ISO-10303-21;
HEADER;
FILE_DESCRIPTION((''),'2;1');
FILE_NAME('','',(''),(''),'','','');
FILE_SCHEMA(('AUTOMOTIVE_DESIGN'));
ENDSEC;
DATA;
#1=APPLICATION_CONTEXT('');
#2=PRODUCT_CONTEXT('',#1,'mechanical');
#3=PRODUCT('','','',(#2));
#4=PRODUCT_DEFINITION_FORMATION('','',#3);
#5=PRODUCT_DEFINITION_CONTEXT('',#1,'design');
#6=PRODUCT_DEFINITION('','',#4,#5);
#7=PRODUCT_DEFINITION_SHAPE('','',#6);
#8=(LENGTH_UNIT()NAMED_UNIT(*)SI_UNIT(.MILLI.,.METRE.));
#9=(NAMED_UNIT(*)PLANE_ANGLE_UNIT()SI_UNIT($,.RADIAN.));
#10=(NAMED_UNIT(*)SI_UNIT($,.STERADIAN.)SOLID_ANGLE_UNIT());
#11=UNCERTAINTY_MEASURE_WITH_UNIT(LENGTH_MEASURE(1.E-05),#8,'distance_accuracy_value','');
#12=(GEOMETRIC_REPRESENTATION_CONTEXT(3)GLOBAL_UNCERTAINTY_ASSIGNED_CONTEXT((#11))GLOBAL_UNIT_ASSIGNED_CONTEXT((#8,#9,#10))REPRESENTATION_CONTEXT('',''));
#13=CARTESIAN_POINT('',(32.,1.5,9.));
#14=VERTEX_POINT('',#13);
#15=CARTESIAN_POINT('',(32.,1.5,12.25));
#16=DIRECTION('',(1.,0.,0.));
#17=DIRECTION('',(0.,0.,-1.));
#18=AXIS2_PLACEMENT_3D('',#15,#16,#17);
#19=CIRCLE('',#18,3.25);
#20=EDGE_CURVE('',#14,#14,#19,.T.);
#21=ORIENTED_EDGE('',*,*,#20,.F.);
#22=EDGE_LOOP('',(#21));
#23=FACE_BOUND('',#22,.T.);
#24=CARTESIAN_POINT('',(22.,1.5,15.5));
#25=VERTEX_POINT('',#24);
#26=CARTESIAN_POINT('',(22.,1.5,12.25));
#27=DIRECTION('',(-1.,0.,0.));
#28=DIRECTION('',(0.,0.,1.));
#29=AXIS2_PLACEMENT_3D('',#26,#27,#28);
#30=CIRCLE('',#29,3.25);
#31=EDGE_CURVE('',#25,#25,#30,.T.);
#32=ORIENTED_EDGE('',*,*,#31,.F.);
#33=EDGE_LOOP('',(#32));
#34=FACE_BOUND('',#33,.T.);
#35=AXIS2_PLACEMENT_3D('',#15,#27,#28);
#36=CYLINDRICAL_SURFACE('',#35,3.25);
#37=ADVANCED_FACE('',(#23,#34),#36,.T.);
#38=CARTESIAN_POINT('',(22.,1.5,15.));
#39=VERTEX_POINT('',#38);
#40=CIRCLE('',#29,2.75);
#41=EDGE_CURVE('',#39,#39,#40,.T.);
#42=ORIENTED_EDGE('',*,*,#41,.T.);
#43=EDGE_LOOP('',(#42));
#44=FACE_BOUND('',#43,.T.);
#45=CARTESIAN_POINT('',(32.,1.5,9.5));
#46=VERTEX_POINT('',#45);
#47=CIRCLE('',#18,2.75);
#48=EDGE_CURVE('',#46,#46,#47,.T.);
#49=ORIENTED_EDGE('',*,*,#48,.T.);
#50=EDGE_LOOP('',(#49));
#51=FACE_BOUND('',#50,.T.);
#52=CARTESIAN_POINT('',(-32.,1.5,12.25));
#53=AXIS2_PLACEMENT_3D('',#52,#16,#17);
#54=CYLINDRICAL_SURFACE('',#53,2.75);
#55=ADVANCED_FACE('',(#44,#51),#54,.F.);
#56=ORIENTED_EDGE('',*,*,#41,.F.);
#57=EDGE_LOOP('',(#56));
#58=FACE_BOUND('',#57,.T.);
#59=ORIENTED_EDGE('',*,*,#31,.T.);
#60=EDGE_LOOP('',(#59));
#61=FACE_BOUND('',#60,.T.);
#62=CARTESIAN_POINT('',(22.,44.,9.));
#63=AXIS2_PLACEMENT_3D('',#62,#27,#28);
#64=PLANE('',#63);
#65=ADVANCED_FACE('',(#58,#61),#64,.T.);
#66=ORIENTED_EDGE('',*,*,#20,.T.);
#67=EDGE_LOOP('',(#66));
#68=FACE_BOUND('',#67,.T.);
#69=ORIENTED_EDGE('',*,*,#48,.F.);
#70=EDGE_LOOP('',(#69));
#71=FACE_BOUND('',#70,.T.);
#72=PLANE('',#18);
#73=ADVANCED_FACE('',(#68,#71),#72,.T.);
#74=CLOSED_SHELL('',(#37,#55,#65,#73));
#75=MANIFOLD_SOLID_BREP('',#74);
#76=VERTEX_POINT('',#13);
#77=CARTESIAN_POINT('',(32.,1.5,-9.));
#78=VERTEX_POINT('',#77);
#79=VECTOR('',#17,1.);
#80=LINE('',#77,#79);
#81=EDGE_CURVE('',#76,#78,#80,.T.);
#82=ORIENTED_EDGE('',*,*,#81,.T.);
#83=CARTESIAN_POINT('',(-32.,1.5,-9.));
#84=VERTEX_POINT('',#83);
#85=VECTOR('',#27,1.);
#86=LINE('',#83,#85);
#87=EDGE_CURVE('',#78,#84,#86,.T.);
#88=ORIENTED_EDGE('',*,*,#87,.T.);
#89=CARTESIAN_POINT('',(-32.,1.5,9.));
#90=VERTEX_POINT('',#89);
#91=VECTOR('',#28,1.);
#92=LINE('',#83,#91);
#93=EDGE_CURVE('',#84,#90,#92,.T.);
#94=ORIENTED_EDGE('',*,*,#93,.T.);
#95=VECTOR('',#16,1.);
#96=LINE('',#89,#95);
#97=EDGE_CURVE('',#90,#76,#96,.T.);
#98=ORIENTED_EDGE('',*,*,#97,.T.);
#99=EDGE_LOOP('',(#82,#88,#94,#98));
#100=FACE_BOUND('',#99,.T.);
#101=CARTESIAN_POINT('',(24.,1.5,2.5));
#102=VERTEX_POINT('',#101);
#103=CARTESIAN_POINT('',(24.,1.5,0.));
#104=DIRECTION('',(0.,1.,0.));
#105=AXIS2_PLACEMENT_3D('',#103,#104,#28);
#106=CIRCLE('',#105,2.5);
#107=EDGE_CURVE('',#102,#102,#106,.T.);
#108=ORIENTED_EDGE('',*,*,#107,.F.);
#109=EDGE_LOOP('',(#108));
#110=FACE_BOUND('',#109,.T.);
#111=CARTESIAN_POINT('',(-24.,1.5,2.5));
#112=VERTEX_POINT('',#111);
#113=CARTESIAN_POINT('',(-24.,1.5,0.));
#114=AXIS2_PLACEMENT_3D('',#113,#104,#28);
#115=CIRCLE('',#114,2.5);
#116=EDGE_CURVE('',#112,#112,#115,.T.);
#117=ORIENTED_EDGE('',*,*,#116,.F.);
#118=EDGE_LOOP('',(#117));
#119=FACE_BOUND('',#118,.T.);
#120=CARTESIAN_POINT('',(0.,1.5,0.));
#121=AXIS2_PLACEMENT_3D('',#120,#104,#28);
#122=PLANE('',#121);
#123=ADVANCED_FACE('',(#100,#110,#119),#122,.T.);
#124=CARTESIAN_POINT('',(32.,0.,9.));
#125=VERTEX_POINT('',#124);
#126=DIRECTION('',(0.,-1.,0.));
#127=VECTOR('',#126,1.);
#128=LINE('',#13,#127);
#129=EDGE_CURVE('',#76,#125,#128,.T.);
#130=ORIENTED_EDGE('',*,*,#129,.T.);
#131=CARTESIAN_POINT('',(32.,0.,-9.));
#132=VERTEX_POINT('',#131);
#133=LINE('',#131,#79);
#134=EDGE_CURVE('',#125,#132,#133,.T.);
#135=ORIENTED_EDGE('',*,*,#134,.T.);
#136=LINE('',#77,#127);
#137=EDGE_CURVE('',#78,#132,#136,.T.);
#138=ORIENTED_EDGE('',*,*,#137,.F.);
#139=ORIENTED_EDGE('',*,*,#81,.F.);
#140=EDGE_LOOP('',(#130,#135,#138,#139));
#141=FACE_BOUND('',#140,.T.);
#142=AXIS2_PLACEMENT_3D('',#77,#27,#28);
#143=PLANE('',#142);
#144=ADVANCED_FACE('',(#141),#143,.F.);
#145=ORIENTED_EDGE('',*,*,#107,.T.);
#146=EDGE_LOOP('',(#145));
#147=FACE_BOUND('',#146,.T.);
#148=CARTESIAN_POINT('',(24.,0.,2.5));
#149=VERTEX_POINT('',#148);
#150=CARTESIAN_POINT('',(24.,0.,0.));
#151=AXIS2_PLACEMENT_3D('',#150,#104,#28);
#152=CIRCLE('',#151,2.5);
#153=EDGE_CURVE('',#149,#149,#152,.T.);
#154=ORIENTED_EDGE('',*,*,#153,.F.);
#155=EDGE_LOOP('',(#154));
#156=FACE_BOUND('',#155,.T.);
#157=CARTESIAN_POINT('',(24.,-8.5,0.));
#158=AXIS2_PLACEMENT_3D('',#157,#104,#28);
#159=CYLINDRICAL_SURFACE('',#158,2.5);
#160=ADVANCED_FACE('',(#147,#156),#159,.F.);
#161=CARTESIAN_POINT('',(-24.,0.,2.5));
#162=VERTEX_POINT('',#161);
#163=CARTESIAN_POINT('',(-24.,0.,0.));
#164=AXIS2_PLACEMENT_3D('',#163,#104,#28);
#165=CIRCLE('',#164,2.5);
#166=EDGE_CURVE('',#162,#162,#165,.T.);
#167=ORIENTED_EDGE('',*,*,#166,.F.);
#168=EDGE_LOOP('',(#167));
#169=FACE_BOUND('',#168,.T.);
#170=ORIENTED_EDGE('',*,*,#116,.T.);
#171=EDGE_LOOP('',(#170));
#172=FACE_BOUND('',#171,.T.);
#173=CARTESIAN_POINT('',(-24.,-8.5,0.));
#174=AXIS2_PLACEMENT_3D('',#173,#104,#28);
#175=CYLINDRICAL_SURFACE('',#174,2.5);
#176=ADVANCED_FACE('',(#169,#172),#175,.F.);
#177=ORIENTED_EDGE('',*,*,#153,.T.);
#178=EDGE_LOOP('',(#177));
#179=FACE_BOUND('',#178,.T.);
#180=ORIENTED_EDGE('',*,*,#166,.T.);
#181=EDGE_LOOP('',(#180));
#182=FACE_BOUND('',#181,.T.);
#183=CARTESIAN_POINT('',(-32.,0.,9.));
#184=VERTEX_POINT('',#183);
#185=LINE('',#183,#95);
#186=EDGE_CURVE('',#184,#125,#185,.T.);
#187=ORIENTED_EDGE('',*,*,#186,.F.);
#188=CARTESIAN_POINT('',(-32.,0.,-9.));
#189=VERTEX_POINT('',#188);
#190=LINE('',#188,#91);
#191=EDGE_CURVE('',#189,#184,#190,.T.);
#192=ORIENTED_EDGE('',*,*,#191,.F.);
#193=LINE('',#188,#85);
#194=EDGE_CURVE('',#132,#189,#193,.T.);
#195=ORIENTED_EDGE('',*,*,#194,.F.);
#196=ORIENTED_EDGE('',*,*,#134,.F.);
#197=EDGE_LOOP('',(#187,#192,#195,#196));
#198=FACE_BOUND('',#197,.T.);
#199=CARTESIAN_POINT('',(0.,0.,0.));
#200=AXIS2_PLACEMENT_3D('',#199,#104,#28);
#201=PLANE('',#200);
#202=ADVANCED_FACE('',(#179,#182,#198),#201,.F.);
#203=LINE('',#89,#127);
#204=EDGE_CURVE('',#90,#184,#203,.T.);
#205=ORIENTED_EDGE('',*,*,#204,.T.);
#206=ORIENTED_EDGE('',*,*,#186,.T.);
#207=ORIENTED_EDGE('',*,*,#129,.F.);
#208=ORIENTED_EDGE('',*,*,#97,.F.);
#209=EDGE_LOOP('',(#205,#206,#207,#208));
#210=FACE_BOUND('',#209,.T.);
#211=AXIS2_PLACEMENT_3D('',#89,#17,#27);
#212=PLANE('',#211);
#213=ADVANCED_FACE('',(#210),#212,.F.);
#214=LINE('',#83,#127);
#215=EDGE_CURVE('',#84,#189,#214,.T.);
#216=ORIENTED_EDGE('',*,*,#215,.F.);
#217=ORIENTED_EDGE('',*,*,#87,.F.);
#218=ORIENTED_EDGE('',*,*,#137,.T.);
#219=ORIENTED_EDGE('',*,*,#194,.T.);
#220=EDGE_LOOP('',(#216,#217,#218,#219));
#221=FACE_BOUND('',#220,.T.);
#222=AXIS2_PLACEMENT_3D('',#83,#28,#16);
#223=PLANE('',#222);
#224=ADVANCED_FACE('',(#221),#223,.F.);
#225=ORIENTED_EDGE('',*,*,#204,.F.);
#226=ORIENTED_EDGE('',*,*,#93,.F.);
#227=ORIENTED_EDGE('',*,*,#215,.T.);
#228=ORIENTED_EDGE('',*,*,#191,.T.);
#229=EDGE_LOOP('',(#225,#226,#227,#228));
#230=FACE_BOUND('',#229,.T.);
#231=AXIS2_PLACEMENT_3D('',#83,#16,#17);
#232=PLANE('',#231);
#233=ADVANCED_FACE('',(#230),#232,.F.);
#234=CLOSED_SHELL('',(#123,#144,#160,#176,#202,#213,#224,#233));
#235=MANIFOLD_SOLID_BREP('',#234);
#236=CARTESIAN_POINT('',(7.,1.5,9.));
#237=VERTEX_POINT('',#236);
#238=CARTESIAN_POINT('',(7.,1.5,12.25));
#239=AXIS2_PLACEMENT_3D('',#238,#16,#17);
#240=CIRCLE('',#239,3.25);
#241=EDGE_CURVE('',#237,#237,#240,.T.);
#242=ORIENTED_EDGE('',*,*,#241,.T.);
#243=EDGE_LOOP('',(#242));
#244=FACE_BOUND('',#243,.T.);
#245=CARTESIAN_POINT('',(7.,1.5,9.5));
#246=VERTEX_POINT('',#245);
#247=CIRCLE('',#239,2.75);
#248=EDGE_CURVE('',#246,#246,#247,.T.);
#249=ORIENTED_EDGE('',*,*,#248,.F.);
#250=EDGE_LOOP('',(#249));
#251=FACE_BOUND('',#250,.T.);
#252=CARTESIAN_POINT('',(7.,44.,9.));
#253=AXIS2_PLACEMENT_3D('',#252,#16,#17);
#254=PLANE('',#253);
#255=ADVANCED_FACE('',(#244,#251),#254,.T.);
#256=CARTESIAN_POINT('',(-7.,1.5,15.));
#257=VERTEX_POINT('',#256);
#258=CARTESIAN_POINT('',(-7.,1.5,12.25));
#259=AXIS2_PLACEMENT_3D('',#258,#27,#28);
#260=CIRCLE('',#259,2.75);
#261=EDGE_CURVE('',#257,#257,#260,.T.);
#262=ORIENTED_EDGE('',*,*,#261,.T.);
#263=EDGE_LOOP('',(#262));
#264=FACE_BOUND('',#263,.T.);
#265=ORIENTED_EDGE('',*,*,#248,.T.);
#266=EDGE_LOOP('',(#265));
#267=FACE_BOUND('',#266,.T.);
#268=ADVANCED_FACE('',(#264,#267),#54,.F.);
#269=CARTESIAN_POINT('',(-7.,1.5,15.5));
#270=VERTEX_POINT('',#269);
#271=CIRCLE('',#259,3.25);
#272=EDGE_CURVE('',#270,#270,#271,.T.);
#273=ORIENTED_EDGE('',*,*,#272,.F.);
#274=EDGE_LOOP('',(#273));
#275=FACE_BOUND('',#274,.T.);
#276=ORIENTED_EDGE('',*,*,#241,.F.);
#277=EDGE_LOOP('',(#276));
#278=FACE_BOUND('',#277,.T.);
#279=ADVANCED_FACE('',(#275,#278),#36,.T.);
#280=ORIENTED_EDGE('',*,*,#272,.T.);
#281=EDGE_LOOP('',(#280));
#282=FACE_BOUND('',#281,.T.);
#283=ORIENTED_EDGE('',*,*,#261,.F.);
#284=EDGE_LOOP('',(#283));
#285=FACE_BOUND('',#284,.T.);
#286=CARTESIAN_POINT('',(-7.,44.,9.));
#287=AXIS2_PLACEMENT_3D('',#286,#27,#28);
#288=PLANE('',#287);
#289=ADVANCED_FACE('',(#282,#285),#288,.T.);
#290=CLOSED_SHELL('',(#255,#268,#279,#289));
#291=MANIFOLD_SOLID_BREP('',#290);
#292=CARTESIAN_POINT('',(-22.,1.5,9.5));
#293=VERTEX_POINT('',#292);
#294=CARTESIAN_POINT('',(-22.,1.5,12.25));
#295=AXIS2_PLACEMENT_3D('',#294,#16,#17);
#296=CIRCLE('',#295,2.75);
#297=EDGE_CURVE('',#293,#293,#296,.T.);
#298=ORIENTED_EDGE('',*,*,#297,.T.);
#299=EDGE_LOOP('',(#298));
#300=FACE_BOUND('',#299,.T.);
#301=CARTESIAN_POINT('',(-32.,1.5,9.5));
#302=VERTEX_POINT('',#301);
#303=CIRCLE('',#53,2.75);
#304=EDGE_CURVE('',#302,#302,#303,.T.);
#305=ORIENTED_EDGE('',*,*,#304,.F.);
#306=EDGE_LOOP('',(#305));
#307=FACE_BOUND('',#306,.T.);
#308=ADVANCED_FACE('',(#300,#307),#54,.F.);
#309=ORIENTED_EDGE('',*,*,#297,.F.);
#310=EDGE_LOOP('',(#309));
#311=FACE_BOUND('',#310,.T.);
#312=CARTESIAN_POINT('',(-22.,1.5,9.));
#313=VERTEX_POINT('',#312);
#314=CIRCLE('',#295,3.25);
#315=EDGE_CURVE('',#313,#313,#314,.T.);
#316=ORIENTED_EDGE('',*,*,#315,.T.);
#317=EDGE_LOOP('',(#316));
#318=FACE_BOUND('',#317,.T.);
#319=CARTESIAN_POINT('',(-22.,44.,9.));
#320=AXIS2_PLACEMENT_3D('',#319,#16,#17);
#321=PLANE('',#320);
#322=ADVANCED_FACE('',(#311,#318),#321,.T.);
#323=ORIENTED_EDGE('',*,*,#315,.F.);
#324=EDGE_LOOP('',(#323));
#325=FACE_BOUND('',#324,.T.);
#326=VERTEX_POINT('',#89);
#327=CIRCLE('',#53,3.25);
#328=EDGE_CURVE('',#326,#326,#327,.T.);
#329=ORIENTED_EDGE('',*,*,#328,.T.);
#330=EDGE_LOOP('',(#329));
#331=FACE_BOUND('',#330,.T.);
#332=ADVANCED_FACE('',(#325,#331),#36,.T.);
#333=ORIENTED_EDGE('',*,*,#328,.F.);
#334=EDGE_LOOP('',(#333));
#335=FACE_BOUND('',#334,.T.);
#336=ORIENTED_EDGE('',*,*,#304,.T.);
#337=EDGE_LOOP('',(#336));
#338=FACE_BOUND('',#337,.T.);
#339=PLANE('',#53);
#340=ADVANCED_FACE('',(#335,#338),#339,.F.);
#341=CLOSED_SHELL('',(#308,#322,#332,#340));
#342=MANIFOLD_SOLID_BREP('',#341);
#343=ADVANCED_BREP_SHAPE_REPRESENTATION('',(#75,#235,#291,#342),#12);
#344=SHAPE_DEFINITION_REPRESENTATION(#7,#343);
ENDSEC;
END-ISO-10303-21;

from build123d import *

# Parameters (mm, degrees)
SKETCH1_W               = 64
SKETCH1_H               = 18
BOSS_EXTRUDE1_DEPTH     = 1.5
SKETCH2_R               = 3.25
BOSS_EXTRUDE2_DEPTH     = 32
SKETCH3_R               = 2.5
CUT_EXTRUDE1_DEPTH      = 10
SKETCH4_W               = 15
SKETCH4_H               = 6.5
CUT_EXTRUDE4_DEPTH      = 44
CUT_EXTRUDE4_DEPTH_BACK = 44
SKETCH6_R               = 2.75
CUT_EXTRUDE5_DEPTH      = 64


with BuildPart() as part:
    # Sketch1 → Boss-Extrude1 (new body)
    with BuildSketch(Plane(origin=(0, 0, 0), x_dir=(1, 0, 0), z_dir=(0, 1, 0))):
        Rectangle(SKETCH1_W, SKETCH1_H)
    extrude(amount=BOSS_EXTRUDE1_DEPTH)

    # Sketch3 → Cut-Extrude1 (cut)
    with BuildSketch(Plane(origin=(0, 1.5, 0), x_dir=(1, 0, 0), z_dir=(0, 1, 0))):
        with Locations((-24, 0)):
            Circle(SKETCH3_R)
        with Locations((24, 0)):
            Circle(SKETCH3_R)
    extrude(amount=-CUT_EXTRUDE1_DEPTH, mode=Mode.SUBTRACT)


with BuildPart() as body_2:
    # Sketch2 → Boss-Extrude2 (new body, symmetric)
    with BuildSketch(Plane(origin=(0, 0, 0), x_dir=(0, 0, -1), z_dir=(1, 0, 0))):
        with Locations((-12.25, 1.5)):
            Circle(SKETCH2_R)
    extrude(amount=BOSS_EXTRUDE2_DEPTH, both=True)

    # Sketch4 → Cut-Extrude4 (cut, two sides)
    with BuildSketch(Plane(origin=(0, 0, 0), x_dir=(1, 0, 0), z_dir=(0, 1, 0))) as cut_extrude4_sk:
        with Locations((-14.5, -12.25)):
            Rectangle(SKETCH4_W, SKETCH4_H)
        with Locations((14.5, -12.25)):
            Rectangle(SKETCH4_W, SKETCH4_H)
    extrude(amount=CUT_EXTRUDE4_DEPTH, mode=Mode.SUBTRACT)
    extrude(cut_extrude4_sk.sketch, amount=-CUT_EXTRUDE4_DEPTH_BACK, mode=Mode.SUBTRACT)

    # Sketch6 → Cut-Extrude5 (cut)
    with BuildSketch(Plane(origin=(32, 0, 0), x_dir=(0, 0, -1), z_dir=(1, 0, 0))):
        with Locations((-12.25, 1.5)):
            Circle(SKETCH6_R)
    extrude(amount=-CUT_EXTRUDE5_DEPTH, mode=Mode.SUBTRACT)


solid = Compound([part.part, body_2.part])
